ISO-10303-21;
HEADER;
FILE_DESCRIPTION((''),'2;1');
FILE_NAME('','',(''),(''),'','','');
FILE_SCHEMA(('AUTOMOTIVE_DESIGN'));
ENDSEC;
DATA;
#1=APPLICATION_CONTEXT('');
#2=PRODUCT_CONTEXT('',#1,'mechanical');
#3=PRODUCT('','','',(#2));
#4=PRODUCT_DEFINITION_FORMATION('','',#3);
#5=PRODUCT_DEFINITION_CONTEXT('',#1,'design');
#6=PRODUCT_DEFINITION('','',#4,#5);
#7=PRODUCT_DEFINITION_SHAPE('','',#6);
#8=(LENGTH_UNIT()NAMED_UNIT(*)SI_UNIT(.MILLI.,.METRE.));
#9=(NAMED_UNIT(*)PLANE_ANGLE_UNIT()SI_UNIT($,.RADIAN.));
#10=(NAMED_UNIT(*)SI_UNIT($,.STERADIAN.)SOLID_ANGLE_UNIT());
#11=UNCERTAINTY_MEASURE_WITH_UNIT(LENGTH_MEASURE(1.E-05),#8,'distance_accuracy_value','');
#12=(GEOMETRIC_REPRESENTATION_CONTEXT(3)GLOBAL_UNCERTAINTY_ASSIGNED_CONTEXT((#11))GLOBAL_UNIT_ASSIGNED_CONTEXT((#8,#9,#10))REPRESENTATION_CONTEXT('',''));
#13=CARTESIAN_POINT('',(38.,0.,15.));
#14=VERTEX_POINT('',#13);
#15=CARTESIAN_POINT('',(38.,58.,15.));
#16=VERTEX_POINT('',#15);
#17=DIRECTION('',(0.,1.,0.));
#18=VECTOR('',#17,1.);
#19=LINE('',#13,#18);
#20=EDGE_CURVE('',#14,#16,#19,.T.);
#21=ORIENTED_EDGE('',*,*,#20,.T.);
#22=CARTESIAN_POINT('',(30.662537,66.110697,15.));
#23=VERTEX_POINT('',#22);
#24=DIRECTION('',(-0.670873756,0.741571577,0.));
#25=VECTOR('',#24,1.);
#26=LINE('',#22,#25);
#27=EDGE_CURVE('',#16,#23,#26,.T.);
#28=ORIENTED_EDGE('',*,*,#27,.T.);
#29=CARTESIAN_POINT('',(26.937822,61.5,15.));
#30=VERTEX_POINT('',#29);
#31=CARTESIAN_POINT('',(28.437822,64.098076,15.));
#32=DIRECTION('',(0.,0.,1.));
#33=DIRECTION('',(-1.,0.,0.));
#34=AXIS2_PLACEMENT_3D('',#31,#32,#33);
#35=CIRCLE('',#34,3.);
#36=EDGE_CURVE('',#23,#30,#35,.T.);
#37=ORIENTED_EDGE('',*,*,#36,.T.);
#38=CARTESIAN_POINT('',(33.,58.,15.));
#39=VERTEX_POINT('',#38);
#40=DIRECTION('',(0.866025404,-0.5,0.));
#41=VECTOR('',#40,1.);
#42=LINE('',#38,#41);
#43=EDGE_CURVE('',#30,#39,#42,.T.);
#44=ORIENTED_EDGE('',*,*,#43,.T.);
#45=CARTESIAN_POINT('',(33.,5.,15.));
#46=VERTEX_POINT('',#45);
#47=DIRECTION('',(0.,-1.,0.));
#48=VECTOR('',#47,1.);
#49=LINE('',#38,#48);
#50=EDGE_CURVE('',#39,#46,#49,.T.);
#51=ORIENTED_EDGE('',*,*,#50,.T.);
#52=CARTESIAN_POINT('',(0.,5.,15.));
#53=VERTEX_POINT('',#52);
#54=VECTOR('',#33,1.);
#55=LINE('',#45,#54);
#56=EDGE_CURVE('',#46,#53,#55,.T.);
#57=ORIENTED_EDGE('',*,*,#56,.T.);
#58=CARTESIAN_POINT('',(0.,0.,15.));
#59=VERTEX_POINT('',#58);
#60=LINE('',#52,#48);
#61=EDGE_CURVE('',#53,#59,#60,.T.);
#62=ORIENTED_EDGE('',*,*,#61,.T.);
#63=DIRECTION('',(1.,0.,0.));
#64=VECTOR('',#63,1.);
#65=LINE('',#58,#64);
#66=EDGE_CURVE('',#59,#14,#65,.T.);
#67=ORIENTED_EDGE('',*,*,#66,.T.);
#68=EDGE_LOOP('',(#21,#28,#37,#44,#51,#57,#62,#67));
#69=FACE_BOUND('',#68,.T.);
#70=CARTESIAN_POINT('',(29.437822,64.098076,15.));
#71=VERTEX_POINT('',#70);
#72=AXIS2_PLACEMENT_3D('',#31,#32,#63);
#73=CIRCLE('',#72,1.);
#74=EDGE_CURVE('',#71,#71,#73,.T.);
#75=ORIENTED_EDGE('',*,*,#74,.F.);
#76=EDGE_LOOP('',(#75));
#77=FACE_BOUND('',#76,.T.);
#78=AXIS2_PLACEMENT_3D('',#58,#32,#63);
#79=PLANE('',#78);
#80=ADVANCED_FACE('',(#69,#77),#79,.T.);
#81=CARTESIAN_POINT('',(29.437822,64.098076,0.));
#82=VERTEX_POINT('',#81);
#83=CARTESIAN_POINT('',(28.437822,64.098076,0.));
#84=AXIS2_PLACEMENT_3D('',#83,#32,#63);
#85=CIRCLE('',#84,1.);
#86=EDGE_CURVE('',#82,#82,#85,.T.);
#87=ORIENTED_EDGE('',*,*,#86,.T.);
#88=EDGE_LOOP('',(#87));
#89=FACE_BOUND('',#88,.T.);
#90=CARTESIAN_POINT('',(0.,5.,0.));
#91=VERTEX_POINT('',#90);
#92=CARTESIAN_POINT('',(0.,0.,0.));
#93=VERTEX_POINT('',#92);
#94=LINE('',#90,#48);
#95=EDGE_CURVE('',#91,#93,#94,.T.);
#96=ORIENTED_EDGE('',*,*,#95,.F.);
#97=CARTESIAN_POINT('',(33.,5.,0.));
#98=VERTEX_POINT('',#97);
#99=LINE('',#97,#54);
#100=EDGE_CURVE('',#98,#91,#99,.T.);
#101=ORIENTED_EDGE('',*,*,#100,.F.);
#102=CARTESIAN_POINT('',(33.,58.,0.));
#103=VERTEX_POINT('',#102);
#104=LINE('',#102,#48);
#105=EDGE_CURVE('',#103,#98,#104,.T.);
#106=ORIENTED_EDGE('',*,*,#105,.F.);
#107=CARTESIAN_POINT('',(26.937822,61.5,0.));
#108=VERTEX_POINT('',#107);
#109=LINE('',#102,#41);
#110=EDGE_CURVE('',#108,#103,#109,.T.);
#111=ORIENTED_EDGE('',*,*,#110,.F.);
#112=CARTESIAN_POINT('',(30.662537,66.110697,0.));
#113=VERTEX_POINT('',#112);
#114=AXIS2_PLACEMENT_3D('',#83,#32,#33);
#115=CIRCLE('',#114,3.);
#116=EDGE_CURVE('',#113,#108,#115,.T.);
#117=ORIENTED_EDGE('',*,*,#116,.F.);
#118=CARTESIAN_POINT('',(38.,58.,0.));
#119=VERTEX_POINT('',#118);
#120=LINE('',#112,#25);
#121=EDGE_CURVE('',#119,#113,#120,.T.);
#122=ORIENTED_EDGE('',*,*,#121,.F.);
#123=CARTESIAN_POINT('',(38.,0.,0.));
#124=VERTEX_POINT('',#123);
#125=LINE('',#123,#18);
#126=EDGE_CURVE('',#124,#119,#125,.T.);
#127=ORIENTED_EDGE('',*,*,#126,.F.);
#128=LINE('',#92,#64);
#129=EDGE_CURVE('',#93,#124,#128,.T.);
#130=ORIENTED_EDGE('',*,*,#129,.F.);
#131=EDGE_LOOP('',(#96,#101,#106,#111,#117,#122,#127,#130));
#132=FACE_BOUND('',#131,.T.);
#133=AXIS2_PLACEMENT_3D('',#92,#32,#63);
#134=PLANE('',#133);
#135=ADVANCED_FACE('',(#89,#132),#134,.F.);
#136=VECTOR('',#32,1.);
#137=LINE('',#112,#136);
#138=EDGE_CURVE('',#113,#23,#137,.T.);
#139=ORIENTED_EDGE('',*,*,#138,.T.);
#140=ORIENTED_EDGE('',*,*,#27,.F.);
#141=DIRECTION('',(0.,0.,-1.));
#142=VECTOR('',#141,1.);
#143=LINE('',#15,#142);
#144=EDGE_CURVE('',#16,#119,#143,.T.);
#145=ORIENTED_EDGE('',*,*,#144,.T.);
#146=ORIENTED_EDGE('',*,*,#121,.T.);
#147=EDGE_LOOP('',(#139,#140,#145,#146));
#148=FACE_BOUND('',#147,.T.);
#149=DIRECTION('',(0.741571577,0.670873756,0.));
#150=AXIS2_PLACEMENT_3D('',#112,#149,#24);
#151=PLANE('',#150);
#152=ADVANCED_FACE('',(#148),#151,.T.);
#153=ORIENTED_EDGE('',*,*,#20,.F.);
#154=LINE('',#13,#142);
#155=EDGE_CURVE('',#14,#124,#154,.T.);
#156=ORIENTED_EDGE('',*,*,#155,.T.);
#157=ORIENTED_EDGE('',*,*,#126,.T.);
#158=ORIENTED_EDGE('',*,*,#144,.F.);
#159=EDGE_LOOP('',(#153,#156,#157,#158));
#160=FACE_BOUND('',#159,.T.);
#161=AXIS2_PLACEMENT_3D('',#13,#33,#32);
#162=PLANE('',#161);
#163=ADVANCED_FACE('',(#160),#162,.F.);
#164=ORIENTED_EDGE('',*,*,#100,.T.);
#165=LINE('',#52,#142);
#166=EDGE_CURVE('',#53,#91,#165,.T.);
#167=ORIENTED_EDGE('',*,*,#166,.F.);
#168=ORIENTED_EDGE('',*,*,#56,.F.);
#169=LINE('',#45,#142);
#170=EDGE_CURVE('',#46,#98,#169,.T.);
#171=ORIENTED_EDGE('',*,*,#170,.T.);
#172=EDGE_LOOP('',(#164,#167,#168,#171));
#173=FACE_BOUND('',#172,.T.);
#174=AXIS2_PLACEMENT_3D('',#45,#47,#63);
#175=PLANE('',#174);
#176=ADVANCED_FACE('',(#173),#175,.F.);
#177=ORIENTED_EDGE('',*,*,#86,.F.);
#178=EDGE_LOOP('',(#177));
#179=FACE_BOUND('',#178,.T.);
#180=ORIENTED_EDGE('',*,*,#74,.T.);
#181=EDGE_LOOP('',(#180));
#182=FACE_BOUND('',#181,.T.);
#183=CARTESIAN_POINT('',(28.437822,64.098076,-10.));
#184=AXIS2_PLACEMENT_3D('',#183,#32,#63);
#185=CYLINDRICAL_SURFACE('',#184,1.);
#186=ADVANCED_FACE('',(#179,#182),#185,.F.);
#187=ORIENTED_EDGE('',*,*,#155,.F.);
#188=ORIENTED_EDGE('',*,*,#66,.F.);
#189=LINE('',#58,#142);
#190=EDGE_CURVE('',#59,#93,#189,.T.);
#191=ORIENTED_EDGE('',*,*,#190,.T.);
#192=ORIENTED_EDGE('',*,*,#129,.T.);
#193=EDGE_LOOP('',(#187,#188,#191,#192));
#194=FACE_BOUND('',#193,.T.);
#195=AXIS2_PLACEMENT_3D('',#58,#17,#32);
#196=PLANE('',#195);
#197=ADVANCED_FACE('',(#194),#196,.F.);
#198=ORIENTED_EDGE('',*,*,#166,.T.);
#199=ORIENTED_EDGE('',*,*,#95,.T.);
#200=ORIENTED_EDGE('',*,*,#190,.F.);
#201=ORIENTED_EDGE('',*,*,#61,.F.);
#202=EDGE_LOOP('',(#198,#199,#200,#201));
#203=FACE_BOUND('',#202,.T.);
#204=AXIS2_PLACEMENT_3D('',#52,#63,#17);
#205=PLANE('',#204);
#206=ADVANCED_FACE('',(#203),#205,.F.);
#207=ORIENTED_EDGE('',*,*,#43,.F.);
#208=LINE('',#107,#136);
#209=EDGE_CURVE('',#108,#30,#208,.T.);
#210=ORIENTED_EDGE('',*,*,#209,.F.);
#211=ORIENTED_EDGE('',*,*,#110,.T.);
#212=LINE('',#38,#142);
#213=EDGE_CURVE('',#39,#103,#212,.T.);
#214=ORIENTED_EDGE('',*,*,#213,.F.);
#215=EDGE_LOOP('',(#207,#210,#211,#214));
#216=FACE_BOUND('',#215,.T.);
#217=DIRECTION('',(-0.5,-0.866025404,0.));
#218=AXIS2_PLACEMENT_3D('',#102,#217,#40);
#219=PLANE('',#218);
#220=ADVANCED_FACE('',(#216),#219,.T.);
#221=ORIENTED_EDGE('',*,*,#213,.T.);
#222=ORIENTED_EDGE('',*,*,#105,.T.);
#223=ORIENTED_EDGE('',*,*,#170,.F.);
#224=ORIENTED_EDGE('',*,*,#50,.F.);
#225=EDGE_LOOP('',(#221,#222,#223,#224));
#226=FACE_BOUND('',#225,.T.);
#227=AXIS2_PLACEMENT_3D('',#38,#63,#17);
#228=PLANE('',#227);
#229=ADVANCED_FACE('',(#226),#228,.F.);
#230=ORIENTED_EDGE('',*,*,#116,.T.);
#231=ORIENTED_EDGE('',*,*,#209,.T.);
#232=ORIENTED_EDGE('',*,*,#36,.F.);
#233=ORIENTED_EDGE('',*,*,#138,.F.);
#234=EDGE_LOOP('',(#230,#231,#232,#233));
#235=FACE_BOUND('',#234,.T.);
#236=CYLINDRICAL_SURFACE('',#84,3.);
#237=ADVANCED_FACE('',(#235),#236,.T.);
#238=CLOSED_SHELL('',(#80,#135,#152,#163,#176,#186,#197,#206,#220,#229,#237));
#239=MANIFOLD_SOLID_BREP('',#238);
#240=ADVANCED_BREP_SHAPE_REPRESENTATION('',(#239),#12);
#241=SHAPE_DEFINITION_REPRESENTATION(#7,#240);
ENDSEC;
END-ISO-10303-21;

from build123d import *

# Parameters (mm, degrees)
BOSS_EXTRUDE1_DEPTH = 15
BOSS_EXTRUDE4_DEPTH = 15
SKETCH3_R           = 1
CUT_EXTRUDE1_DEPTH  = 25


with BuildPart() as part:
    # Sketch1 → Boss-Extrude1 (new body)
    with BuildSketch(Plane.XY):
        Polygon((0, 0), (38, 0), (38, 58), (33, 58), (33, 5), (0, 5), align=None)
    extrude(amount=BOSS_EXTRUDE1_DEPTH)

    # Sketch2 → Boss-Extrude4 (add)
    with BuildSketch(Plane.XY.offset(15)):
        with BuildLine():
            Line((33, 58), (26.937822174, 61.5))
            ThreePointArc((26.937822174, 61.5), (26.104169314, 65.983298832), (30.662536905, 66.110697479))
            Line((30.662536905, 66.110697479), (38, 58))
            Line((38, 58), (33, 58))
        make_face()
    extrude(amount=-BOSS_EXTRUDE4_DEPTH)

    # Sketch3 → Cut-Extrude1 (cut)
    with BuildSketch(Plane.XY.offset(15)):
        with Locations((28.437822174, 64.098076211)):
            Circle(SKETCH3_R)
    extrude(amount=-CUT_EXTRUDE1_DEPTH, mode=Mode.SUBTRACT)


solid = part.part
